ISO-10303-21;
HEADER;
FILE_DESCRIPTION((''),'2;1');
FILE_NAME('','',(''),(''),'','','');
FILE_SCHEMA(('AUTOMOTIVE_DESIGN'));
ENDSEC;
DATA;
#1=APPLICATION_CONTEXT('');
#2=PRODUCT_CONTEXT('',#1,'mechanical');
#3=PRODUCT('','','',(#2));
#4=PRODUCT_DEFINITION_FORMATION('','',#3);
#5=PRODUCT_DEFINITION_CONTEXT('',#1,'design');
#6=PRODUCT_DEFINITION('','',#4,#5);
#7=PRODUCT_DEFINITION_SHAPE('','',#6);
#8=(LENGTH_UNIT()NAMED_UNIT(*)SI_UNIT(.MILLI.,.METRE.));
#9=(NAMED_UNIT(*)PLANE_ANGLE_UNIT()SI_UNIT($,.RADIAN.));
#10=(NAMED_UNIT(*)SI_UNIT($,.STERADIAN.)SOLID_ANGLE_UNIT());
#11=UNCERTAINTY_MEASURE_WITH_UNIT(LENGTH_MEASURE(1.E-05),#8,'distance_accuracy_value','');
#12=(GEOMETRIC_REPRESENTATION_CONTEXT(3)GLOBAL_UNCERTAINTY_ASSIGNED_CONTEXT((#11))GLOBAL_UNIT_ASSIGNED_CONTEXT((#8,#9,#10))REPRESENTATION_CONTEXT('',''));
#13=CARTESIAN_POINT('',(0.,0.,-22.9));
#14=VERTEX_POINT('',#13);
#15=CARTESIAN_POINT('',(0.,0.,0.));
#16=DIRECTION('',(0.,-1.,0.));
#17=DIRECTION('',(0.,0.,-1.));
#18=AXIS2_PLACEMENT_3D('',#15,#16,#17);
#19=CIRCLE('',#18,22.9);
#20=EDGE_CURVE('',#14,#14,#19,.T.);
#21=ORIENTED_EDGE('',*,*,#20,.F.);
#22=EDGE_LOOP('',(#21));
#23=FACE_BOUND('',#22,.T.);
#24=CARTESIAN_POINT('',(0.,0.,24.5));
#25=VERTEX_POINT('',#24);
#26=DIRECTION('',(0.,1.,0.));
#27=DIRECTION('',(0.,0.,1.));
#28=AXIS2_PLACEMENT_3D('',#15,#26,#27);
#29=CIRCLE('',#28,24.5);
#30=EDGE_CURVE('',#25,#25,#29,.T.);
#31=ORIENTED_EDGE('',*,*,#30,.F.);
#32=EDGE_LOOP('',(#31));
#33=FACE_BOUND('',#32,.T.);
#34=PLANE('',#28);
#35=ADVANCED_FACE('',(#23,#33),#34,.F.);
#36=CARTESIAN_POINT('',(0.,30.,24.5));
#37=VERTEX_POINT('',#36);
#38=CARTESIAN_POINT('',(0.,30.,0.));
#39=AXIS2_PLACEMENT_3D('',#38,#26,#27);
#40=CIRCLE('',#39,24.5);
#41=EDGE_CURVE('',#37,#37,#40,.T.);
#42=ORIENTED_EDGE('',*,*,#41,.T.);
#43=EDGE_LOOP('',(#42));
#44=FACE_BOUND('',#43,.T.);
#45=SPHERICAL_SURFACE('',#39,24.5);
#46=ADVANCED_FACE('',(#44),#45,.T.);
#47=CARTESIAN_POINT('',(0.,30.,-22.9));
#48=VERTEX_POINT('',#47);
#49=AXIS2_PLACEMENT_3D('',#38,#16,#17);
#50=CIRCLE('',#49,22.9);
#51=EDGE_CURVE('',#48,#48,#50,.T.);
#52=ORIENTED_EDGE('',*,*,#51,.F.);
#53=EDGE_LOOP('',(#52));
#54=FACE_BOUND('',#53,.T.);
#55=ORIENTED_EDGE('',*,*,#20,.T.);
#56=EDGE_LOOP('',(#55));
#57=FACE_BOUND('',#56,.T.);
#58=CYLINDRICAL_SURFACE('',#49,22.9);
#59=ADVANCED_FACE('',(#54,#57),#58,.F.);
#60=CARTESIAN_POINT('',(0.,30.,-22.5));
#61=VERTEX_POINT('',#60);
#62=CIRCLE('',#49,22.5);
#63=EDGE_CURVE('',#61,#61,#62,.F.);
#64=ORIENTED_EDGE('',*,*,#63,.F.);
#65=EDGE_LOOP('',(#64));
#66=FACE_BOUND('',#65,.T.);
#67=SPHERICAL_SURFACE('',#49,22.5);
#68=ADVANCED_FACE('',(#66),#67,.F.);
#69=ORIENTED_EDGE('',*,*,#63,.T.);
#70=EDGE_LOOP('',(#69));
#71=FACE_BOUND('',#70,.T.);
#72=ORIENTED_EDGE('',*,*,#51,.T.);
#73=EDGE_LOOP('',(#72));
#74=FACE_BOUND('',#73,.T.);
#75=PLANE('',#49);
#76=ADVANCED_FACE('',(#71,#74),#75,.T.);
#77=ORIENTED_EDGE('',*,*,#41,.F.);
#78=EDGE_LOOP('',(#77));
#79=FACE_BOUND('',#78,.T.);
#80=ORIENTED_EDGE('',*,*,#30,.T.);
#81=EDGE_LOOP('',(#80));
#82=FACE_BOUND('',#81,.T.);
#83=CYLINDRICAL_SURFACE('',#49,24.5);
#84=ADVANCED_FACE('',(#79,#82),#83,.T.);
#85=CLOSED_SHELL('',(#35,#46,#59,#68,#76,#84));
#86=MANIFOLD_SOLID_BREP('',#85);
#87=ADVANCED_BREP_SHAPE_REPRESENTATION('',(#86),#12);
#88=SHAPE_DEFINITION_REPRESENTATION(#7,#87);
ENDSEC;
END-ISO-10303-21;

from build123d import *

# Parameters (mm, degrees)
SKETCH2_R           = 24.5
BOSS_EXTRUDE1_DEPTH = 30
REVOLVE_THIN1_ANGLE = 180
SKETCH6_R           = 22.9
CUT_EXTRUDE1_DEPTH  = 30


with BuildPart() as part:
    # Sketch2 → Boss-Extrude1 (new body)
    with BuildSketch(Plane(origin=(0, 0, 0), x_dir=(1, 0, 0), z_dir=(0, 1, 0))):
        with Locations(Location((0, 0, 0), (0, 0, 270))):
            Circle(SKETCH2_R)
    extrude(amount=BOSS_EXTRUDE1_DEPTH)

    # Sketch4 → Revolve-Thin1 (revolve)
    with BuildSketch(Plane(origin=(0, 30, 0), x_dir=(1, 0, 0), z_dir=(0, 1, 0))):
        with BuildLine():
            ThreePointArc((24.5, 0), (0, -24.5), (-24.5, 0))
            Line((-24.5, 0), (-22.5, 0))
            ThreePointArc((-22.5, 0), (0, -22.5), (22.5, 0))
            Line((22.5, 0), (24.5, 0))
        make_face()
    revolve(axis=Axis((0, 30, 0), (-1, 0, 0)), revolution_arc=REVOLVE_THIN1_ANGLE)

    # Sketch6 → Cut-Extrude1 (cut)
    with BuildSketch(Plane.XZ):
        with Locations(Location((0, 0, 0), (0, 0, 270))):
            Circle(SKETCH6_R)
    extrude(amount=-CUT_EXTRUDE1_DEPTH, mode=Mode.SUBTRACT)


solid = part.part
